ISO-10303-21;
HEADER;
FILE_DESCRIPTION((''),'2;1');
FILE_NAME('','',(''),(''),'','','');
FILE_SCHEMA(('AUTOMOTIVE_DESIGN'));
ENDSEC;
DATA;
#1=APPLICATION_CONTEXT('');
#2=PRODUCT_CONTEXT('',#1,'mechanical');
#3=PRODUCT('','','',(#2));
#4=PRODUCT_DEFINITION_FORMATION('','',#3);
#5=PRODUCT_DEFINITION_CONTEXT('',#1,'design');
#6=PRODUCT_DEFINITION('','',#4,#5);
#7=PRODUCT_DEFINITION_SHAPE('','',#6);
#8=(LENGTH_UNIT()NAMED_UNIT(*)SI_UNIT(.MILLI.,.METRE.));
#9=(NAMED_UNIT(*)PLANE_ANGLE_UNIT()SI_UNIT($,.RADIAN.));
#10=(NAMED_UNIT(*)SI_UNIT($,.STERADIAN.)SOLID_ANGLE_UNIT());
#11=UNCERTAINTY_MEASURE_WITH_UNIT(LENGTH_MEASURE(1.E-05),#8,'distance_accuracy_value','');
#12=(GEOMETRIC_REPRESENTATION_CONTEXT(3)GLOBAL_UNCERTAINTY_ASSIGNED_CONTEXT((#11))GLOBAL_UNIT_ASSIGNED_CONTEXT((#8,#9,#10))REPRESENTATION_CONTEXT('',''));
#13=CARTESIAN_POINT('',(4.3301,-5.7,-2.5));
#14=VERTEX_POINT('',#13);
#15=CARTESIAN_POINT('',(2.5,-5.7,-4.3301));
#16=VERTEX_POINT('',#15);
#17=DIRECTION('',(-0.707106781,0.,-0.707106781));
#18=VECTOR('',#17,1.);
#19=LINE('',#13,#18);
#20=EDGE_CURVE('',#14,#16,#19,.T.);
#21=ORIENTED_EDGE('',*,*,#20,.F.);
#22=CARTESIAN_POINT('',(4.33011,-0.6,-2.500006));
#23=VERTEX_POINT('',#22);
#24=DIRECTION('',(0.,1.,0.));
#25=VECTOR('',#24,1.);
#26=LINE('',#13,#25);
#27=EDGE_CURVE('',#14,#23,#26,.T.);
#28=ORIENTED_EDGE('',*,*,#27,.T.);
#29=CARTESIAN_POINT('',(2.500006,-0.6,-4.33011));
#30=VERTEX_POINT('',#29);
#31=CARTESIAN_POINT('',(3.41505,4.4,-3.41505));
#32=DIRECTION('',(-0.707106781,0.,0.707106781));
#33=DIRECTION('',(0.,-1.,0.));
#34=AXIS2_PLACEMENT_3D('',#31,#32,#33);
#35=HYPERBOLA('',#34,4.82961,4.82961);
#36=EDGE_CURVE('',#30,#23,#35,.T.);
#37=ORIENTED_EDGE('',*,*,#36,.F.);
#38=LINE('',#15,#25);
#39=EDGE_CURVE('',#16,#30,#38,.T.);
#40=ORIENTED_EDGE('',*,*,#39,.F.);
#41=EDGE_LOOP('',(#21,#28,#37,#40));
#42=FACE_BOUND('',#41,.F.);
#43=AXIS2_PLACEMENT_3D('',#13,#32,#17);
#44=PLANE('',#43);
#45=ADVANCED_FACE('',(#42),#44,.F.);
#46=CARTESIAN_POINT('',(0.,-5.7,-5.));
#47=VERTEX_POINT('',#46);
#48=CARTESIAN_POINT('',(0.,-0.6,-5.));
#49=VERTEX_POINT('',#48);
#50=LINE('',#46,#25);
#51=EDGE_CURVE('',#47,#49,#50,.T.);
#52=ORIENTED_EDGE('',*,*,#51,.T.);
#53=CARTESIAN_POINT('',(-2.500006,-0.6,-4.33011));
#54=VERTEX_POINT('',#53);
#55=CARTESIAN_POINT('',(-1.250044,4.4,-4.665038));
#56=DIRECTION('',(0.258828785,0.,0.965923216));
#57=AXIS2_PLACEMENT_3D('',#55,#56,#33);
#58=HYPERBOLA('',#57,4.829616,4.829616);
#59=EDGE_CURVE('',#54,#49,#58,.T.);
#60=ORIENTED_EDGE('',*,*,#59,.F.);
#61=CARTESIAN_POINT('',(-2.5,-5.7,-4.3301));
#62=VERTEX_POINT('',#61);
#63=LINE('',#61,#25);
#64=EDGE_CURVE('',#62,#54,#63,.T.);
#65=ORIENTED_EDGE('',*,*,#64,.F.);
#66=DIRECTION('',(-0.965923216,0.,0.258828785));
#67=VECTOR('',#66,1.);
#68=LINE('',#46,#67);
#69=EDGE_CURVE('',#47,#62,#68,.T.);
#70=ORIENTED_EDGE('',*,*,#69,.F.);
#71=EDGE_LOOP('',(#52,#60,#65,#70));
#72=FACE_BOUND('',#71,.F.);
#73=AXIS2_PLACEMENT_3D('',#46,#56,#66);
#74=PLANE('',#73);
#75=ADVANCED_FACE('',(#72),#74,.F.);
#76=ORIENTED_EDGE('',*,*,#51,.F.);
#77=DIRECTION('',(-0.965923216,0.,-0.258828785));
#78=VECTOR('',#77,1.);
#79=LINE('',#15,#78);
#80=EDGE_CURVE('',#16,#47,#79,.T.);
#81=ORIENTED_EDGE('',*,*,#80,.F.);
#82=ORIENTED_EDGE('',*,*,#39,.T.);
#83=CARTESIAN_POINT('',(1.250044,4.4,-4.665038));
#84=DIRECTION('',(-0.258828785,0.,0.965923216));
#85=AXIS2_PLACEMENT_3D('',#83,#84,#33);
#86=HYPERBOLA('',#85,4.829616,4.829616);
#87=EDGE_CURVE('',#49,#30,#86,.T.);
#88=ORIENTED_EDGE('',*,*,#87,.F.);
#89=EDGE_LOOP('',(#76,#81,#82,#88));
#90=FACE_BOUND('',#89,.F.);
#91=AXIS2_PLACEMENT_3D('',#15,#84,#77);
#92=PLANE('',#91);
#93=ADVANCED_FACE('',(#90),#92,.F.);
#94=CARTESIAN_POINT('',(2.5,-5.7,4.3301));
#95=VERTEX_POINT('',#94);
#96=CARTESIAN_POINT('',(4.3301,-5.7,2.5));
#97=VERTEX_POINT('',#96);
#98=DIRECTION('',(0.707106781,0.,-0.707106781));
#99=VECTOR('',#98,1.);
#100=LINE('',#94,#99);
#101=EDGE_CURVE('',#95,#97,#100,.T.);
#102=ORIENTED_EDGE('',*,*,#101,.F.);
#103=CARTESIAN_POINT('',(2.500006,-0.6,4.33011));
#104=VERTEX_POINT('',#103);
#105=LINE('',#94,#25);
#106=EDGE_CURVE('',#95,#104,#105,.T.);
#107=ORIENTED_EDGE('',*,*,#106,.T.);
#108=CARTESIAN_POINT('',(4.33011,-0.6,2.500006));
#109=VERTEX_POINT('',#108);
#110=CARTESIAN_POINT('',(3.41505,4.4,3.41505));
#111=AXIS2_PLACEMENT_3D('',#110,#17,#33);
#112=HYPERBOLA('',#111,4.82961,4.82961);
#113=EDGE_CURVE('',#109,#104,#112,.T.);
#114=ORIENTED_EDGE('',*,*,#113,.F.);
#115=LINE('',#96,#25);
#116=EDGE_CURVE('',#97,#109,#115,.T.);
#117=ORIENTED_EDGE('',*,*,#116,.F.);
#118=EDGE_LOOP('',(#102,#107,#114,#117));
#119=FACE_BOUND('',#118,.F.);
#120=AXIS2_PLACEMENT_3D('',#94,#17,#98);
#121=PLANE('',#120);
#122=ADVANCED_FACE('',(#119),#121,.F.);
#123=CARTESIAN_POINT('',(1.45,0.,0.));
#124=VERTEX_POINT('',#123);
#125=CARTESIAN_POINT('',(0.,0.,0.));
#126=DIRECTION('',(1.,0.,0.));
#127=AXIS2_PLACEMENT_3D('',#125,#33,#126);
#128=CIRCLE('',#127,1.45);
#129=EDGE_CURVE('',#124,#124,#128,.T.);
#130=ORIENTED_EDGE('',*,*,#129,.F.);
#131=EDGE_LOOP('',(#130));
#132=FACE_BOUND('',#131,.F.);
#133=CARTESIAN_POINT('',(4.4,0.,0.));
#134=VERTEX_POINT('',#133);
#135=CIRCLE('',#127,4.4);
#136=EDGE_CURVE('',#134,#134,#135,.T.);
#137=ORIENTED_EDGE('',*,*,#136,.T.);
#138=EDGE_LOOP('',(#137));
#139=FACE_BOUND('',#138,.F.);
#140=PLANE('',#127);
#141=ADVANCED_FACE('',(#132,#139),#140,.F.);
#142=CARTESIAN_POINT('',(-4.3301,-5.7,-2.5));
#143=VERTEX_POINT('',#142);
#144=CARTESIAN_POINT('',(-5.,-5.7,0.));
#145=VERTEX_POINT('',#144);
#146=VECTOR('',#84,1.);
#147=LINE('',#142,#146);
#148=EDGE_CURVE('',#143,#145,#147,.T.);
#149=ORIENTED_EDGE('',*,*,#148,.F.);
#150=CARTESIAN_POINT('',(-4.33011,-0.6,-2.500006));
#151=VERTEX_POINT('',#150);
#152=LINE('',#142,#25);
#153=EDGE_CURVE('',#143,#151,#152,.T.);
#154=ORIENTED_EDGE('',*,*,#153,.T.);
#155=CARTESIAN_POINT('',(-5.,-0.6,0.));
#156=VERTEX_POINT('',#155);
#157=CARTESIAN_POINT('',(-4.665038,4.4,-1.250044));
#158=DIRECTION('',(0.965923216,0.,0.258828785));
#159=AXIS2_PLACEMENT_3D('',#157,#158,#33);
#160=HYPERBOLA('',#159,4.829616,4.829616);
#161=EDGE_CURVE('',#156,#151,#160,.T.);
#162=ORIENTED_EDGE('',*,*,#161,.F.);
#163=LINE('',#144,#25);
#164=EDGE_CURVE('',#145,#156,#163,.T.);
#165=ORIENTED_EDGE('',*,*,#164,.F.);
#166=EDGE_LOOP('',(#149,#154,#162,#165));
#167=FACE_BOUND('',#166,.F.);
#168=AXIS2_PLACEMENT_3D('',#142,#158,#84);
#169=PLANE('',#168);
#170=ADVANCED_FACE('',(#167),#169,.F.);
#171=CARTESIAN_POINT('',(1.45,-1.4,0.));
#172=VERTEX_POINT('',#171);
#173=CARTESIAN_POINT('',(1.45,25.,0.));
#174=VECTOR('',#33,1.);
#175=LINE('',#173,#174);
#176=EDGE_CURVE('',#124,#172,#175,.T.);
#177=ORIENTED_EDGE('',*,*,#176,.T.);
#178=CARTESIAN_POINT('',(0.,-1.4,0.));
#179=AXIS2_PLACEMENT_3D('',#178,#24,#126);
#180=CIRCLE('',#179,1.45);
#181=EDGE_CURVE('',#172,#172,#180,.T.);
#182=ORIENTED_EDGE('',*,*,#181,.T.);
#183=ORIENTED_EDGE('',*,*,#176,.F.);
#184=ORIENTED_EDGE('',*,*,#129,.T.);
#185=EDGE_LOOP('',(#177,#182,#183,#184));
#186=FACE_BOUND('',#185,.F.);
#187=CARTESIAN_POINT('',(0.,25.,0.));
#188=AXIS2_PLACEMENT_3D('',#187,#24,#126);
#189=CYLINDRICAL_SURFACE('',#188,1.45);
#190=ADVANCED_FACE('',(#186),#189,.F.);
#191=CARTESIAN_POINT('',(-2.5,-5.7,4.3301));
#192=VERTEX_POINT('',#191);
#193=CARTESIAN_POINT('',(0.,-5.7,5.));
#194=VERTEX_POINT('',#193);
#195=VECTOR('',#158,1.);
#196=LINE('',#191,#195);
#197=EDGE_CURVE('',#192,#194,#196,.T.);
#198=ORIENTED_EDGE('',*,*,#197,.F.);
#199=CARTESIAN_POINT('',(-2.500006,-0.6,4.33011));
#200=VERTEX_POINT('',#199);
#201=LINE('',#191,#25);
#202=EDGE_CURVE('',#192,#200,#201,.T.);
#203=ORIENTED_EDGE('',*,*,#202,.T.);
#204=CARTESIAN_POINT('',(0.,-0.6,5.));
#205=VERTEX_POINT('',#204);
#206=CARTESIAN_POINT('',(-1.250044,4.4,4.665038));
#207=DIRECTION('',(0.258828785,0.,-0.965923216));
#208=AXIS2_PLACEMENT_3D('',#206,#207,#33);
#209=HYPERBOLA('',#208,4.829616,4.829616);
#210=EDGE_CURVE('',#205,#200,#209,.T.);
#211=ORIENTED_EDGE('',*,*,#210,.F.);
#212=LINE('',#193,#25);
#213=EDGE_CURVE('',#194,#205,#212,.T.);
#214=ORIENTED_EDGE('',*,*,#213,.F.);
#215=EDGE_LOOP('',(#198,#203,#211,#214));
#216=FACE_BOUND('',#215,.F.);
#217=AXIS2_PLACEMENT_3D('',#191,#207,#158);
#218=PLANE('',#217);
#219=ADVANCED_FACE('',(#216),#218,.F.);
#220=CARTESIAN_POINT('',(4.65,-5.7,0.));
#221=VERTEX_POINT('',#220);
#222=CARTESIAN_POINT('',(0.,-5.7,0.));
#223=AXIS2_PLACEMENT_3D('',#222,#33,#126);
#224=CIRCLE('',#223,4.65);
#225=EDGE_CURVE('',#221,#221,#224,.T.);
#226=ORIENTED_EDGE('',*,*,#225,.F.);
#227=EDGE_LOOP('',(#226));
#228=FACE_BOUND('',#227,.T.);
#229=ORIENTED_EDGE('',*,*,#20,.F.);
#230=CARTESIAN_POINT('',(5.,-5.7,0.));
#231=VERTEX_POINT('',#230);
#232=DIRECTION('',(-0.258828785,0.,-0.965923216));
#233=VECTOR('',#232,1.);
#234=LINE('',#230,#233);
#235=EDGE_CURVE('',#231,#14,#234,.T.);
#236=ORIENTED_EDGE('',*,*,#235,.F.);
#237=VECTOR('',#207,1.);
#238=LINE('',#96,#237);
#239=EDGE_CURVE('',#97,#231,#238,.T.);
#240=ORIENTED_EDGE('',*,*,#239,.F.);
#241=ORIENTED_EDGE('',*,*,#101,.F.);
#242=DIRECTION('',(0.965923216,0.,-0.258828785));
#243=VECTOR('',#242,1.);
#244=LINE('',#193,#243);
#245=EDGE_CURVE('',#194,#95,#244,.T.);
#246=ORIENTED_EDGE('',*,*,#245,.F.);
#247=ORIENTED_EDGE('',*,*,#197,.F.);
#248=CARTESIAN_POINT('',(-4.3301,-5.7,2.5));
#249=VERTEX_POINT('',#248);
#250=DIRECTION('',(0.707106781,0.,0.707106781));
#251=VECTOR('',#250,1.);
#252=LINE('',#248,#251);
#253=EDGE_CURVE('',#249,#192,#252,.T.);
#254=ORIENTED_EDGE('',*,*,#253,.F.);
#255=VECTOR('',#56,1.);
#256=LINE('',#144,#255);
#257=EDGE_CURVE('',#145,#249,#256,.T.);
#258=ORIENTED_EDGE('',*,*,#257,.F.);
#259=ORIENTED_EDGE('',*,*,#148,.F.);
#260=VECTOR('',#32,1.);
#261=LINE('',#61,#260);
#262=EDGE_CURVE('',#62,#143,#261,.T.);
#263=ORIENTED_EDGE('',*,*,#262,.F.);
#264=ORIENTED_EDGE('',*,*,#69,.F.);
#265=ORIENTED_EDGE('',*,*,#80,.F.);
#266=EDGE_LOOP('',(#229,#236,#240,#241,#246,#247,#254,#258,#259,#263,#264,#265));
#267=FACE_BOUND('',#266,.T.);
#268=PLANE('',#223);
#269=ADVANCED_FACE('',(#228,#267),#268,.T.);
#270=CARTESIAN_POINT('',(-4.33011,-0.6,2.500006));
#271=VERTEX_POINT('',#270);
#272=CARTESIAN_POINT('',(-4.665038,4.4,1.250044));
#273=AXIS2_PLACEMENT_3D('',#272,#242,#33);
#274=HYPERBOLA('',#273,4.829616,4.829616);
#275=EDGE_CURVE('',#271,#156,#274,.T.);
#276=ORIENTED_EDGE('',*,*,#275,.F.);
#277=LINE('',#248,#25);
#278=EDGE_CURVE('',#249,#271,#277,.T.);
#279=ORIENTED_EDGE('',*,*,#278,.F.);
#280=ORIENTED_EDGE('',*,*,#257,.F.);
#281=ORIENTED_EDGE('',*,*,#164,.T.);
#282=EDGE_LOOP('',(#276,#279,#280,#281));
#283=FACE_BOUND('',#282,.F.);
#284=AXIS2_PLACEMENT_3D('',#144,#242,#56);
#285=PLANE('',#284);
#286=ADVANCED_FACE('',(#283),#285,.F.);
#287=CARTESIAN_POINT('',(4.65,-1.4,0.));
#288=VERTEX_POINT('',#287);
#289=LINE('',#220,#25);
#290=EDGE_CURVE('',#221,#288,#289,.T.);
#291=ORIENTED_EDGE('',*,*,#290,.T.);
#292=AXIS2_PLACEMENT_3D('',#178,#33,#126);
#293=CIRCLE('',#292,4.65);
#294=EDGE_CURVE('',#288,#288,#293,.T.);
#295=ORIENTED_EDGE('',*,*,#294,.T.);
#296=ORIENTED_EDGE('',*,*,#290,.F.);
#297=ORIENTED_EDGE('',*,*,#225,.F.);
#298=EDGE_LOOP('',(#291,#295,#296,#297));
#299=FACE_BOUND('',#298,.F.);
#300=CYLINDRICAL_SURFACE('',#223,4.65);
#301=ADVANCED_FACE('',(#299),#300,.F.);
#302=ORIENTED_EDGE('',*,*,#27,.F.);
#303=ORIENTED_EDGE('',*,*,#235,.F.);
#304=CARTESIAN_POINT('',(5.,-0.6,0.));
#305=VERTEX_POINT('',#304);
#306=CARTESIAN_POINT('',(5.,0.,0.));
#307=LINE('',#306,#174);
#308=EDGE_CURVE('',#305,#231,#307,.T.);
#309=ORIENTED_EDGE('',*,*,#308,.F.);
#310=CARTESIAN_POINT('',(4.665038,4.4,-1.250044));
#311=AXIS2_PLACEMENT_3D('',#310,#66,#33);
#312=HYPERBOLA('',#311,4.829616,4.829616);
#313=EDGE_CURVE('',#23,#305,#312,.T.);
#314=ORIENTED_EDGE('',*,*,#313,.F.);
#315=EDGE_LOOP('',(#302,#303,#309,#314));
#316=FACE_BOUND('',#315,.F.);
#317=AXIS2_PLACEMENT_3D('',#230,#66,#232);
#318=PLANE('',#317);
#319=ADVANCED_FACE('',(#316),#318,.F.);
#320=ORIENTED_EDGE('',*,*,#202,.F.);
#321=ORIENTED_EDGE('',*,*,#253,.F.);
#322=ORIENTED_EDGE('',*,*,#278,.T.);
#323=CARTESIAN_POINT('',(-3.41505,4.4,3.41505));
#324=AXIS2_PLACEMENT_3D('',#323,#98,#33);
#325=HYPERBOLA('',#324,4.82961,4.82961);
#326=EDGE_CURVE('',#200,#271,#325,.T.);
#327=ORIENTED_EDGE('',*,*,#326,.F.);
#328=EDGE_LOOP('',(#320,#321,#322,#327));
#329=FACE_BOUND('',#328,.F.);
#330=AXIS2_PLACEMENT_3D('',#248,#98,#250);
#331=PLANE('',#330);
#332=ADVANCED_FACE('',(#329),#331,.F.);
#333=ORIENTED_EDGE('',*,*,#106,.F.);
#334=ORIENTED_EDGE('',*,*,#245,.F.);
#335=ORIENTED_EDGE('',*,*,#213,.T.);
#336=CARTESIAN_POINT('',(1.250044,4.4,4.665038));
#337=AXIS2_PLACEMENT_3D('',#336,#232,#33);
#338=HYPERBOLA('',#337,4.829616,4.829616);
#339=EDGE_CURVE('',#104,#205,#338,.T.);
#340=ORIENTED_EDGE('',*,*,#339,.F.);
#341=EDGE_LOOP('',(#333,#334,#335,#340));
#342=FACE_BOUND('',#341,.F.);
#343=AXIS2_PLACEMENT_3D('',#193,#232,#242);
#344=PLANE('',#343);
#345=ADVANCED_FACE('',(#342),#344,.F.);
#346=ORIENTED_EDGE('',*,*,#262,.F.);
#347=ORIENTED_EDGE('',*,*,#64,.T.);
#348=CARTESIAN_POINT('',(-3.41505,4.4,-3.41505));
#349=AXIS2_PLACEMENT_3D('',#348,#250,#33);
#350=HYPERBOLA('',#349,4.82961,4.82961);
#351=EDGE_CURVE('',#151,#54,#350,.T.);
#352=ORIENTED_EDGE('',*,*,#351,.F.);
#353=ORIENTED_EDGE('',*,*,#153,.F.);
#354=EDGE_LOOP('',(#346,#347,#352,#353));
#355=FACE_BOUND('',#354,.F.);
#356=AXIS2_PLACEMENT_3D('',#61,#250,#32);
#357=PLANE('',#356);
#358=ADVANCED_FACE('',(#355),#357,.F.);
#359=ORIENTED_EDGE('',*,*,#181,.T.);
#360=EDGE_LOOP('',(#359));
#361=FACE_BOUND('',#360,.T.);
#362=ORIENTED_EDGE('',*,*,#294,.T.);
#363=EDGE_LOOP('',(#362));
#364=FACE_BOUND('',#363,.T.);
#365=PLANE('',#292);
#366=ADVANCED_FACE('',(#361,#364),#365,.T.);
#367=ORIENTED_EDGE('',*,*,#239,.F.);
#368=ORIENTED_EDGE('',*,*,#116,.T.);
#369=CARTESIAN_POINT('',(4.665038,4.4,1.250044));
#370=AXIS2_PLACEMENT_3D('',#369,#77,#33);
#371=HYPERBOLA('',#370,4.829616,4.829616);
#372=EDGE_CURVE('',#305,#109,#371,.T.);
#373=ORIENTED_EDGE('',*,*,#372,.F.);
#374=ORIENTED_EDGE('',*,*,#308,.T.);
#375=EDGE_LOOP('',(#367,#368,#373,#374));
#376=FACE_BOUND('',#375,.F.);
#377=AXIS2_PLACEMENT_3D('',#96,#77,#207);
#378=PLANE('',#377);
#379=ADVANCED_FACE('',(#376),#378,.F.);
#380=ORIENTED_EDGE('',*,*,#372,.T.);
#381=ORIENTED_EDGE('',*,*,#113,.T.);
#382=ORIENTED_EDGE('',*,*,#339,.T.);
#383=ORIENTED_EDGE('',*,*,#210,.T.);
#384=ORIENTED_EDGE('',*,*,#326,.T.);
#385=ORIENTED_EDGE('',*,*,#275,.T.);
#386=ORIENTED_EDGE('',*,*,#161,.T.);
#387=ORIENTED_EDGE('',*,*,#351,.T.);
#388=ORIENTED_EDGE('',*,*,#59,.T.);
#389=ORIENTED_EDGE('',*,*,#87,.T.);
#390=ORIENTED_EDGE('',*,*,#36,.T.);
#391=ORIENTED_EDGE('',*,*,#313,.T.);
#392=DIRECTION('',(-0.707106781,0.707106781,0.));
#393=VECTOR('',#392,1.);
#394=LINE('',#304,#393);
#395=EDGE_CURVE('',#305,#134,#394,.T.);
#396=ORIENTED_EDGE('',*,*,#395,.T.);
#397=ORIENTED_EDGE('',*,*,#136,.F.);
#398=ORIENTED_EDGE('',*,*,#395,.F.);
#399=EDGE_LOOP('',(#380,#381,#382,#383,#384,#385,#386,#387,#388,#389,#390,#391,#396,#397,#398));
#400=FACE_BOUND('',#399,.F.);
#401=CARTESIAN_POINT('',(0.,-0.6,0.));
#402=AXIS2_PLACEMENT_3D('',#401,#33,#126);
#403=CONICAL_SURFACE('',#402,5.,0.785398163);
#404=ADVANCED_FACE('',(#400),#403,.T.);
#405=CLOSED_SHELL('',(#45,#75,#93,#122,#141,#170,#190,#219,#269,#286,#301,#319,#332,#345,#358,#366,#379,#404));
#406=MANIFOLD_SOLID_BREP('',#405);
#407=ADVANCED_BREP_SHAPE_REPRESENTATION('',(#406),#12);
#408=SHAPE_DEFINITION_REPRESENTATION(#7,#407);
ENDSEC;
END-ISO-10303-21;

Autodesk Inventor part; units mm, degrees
ref_plane "YZ Plane" through (0, 0, 0) normal (1, 0, 0) x (0, 1, 0)
ref_plane "XZ Plane" through (0, 0, 0) normal (0, 1, 0) x (-1, 0, 0)
ref_plane "XY Plane" through (0, 0, 0) normal (0, 0, 1) x (1, 0, 0)
sketch "Boceto1" plane through (0, 0, 0) normal (0, 1, 0) x (-1, 0, 0)
  circle A0 centre (0, 0) radius 1.45
  dimension "d3" = 2.9
extrude "Extrusión1" add sketch "Boceto1" along normal blind 25
sketch "Boceto3" plane through (0, 0, 0) normal (0, -1, 0) x (1, 0, 0)
  circle A0 centre (0, 0) radius 5
  dimension "d5" = 10
extrude "Extrusión2" add sketch "Boceto3" along normal blind 5.7
chamfer "Chaflán1" distance 0.6 angle 45 1 edges at (-5, 0, 0)
sketch "Boceto5" plane through (0, -5.7, 0) normal (0, -1, 0) x (1, 0, 0)
  line L0 (0, 0) -> (0, 5) construction
  line L1 (0, 0) -> (5, 0) construction
  line L2 (0, 0) -> (4.3301, -2.5) construction
  line L3 (0, 0) -> (5, 0) construction
  line L4 (0, 0) -> (2.5, -4.3301) construction
  line L5 (0, 0) -> (5, 0) construction
  line L6 (0, 0) -> (0, -5) construction
  line L7 (0, 0) -> (5, 0) construction
  line L8 (0, 0) -> (-5, 0) construction
  line L9 (0, 0) -> (-5, 0) construction
  line L10 (0, 0) -> (-4.3301, -2.5) construction
  line L11 (0, 0) -> (-2.5, -4.3301) construction
  line L12 (0, 0) -> (4.3301, 2.5) construction
  line L13 (0, 0) -> (2.5, 4.3301) construction
  line L14 (0, 0) -> (-4.3301, 2.5) construction
  line L15 (0, 0) -> (-2.5, 4.3301) construction
  line L16 (4.3301, -2.5) -> (2.5, -4.3301)
  line L17 (2.5, -4.3301) -> (0, -5)
  line L18 (0, -5) -> (-2.5, -4.3301)
  line L19 (-2.5, -4.3301) -> (-4.3301, -2.5)
  line L20 (-5, 0) -> (-4.3301, 2.5)
  line L21 (-4.3301, 2.5) -> (-2.5, 4.3301)
  line L22 (-2.5, 4.3301) -> (0, 5)
  line L23 (0, 5) -> (2.5, 4.3301)
  line L24 (2.5, 4.3301) -> (4.3301, 2.5)
  line L25 (4.3301, 2.5) -> (5, 0)
  line L26 (5, 0) -> (4.3301, -2.5)
  line L27 (-4.3301, -2.5) -> (-5, 0)
  circle A0 centre (0, 0) radius 5
  dimension "d13" = 5
  dimension "d14" = 30
  dimension "d16" = 60
extrude "Extrusión3" cut sketch "Boceto5" against normal blind 6 contours A0 L16 | L26 A0 | A0 L17 | L25 A0 | A0 L18 | L24 A0 | A0 L19 | L23 A0 | A0 L27 | L22 A0 | A0 L20 | L21 A0
sketch "Boceto7" plane through (0, 25, 0) normal (0, 1, 0) x (1, 0, 0)
  circle A0 centre (0, 0) radius 1.45
  dimension "d22" = 2.9
extrude "Extrusión5" cut sketch "Boceto7" against normal blind 29
sketch "Boceto8" plane through (0, -5.7, 0) normal (0, -1, 0) x (1, 0, 0)
  circle A0 centre (0, 0) radius 4.65
  dimension "d25" = 9.3
extrude "Extrusión6" cut sketch "Boceto8" against normal blind 4.3
thread "Rosca2" size "M9x1.25" class "6H" standard "ANSI Metric M Profile" full length
properties part number "Cubierta" material "Aluminio 6061"
